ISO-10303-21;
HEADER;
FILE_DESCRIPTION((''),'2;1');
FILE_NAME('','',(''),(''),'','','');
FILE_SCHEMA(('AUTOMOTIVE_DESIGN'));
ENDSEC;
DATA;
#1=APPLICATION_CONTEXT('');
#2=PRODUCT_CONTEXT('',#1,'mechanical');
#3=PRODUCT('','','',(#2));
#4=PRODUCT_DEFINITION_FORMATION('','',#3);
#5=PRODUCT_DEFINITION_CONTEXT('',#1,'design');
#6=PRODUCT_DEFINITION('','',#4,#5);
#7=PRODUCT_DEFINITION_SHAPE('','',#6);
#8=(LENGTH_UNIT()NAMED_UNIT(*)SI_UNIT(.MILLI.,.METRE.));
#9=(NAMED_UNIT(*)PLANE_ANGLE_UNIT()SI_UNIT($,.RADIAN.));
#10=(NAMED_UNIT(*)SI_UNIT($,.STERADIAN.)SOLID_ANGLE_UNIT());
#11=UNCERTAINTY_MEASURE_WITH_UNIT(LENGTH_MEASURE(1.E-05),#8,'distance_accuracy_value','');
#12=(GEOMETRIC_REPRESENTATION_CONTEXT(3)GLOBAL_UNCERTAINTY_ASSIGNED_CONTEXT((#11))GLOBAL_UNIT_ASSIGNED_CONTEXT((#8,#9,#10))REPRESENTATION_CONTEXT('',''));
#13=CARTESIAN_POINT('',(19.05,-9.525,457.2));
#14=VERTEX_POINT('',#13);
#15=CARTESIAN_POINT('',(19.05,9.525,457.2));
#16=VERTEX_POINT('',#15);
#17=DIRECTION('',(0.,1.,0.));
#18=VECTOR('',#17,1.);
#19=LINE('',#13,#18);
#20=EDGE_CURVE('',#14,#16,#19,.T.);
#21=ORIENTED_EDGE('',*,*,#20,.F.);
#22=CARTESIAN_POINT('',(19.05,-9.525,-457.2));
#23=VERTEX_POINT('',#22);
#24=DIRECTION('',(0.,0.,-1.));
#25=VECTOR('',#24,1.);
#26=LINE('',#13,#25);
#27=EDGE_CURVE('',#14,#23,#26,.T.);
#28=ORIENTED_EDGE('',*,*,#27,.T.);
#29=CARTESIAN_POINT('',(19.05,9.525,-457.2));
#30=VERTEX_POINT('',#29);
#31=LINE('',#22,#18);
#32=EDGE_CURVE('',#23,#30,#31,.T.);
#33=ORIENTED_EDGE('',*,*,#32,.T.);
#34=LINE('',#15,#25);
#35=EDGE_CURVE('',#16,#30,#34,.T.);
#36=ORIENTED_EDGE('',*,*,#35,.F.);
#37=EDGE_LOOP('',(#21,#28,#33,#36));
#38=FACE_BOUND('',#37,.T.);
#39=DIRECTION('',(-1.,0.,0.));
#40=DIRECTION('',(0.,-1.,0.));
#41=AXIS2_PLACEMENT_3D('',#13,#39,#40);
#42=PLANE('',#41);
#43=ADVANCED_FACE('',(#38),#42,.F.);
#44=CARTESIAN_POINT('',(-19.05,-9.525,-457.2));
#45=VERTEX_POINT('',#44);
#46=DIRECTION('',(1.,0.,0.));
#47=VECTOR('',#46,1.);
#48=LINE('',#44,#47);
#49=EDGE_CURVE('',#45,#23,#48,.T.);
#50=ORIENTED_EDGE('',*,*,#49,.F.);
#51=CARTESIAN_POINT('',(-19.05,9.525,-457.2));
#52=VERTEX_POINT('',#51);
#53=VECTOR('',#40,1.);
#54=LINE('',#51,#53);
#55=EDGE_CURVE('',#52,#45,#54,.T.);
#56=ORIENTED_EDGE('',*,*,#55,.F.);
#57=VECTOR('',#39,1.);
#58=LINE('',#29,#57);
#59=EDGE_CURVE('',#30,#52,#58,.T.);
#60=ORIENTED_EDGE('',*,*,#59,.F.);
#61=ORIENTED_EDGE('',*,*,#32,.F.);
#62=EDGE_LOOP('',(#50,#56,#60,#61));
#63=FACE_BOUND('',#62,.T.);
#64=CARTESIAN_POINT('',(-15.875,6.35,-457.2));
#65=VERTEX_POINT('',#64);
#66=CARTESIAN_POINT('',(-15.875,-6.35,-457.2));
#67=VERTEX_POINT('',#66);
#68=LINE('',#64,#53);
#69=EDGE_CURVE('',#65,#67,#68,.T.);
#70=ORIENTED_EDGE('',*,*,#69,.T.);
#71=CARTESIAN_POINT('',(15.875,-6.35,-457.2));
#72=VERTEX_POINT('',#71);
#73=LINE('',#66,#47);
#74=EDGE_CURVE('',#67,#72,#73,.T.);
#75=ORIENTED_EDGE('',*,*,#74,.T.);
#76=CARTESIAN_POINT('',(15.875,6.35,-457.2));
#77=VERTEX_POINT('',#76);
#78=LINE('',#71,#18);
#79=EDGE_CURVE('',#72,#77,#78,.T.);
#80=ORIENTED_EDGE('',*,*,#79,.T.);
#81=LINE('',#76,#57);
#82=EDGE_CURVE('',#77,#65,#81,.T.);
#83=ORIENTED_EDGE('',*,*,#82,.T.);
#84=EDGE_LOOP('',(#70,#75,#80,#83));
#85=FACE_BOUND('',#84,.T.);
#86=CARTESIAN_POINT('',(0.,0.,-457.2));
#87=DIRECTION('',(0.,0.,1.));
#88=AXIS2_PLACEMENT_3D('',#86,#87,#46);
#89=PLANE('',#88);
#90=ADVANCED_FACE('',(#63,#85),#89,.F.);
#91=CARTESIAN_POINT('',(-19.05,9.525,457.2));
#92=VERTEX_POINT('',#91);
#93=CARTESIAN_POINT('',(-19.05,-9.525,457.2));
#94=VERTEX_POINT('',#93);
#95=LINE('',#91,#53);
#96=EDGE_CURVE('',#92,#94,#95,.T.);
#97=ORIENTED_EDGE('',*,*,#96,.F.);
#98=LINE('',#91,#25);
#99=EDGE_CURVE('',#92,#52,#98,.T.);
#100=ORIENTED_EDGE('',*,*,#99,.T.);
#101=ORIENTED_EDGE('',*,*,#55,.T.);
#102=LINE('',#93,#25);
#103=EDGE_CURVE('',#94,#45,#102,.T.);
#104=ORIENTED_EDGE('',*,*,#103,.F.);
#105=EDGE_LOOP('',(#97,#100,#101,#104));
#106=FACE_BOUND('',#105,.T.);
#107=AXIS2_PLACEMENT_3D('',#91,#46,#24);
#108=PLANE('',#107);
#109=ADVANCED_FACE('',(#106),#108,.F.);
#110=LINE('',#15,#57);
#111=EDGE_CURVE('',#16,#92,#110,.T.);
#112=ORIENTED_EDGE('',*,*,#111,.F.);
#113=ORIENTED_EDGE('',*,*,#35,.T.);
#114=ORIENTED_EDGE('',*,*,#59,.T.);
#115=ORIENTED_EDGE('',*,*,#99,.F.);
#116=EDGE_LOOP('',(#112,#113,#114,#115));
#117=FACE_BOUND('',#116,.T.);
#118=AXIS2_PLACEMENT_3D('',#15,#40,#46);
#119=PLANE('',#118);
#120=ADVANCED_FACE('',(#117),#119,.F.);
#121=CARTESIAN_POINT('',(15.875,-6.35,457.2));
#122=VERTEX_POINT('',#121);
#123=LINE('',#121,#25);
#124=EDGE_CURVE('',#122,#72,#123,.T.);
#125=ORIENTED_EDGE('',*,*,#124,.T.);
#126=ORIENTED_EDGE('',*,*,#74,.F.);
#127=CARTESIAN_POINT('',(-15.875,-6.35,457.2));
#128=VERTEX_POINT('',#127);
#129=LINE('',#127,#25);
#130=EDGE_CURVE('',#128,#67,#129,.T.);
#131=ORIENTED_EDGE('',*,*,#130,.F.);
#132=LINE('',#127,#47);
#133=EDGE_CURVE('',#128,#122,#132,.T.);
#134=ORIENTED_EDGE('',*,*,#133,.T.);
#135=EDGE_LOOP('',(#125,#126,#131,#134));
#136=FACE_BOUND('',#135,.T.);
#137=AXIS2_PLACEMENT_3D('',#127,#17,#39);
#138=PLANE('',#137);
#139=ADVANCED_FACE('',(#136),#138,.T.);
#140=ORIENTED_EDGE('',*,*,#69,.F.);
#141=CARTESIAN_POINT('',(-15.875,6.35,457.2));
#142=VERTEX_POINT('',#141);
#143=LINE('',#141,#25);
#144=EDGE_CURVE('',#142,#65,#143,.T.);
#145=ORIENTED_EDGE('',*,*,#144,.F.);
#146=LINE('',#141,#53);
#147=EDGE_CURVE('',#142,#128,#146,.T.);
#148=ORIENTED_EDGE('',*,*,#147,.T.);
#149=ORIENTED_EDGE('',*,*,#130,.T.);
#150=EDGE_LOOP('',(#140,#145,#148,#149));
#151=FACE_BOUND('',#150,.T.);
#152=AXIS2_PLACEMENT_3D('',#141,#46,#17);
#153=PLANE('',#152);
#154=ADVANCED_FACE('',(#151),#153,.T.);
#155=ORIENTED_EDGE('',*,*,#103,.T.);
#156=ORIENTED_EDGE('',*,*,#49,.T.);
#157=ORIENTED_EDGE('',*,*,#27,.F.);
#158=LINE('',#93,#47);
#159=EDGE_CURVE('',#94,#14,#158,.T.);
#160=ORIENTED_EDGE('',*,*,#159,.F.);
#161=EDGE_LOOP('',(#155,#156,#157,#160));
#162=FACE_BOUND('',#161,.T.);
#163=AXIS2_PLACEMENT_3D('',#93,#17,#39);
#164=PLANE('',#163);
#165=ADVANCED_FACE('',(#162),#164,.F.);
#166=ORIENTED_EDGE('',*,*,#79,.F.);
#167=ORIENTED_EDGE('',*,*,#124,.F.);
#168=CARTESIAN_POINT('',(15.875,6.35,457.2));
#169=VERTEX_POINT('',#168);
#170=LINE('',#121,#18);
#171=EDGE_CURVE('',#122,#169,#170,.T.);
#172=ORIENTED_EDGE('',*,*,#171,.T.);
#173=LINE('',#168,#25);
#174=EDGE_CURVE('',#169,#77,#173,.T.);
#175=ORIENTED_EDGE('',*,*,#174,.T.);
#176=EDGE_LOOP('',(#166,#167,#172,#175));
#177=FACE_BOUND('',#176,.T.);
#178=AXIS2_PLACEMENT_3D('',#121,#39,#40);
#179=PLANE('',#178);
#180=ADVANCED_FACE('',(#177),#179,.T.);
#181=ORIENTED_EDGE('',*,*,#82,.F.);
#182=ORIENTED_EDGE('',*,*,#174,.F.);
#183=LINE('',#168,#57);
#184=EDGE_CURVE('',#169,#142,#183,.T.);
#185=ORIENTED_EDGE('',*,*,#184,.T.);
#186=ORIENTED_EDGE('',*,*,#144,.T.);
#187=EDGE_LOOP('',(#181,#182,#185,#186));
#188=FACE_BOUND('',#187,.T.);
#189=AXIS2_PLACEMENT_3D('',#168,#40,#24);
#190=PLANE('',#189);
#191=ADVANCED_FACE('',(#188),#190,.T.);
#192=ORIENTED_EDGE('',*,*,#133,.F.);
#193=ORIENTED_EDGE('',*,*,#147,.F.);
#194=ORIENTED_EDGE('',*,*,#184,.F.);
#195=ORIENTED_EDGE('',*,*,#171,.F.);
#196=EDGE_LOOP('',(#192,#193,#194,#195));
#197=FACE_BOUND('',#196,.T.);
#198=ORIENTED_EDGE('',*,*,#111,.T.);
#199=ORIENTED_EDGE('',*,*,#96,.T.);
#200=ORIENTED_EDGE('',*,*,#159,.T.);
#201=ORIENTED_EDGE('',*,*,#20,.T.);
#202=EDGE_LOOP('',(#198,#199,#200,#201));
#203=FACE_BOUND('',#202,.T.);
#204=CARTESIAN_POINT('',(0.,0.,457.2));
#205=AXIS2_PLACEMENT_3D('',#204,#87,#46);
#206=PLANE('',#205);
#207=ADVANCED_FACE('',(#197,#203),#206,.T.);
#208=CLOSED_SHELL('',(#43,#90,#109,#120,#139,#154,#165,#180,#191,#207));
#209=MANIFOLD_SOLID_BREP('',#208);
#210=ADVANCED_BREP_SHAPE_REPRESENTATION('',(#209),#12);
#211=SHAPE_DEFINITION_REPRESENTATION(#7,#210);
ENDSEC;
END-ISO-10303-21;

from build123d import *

# Parameters (mm, degrees)
BOSS_EXTRUDE1_DEPTH      = 457.2
BOSS_EXTRUDE1_DEPTH_BACK = 457.2
SKETCH3_W                = 38.1
SKETCH3_H                = 19.05
SKETCH3_W_2              = 31.75
SKETCH3_H_2              = 12.7


with BuildPart() as part:
    # Sketch3 → Boss-Extrude1 (new, two sides: drawn at the far end of the back side and taken through both)
    with BuildSketch(Plane.XY.offset(-BOSS_EXTRUDE1_DEPTH_BACK)):
        Rectangle(SKETCH3_W, SKETCH3_H)
        Rectangle(SKETCH3_W_2, SKETCH3_H_2, mode=Mode.SUBTRACT)
    extrude(amount=BOSS_EXTRUDE1_DEPTH + BOSS_EXTRUDE1_DEPTH_BACK)


solid = part.part
